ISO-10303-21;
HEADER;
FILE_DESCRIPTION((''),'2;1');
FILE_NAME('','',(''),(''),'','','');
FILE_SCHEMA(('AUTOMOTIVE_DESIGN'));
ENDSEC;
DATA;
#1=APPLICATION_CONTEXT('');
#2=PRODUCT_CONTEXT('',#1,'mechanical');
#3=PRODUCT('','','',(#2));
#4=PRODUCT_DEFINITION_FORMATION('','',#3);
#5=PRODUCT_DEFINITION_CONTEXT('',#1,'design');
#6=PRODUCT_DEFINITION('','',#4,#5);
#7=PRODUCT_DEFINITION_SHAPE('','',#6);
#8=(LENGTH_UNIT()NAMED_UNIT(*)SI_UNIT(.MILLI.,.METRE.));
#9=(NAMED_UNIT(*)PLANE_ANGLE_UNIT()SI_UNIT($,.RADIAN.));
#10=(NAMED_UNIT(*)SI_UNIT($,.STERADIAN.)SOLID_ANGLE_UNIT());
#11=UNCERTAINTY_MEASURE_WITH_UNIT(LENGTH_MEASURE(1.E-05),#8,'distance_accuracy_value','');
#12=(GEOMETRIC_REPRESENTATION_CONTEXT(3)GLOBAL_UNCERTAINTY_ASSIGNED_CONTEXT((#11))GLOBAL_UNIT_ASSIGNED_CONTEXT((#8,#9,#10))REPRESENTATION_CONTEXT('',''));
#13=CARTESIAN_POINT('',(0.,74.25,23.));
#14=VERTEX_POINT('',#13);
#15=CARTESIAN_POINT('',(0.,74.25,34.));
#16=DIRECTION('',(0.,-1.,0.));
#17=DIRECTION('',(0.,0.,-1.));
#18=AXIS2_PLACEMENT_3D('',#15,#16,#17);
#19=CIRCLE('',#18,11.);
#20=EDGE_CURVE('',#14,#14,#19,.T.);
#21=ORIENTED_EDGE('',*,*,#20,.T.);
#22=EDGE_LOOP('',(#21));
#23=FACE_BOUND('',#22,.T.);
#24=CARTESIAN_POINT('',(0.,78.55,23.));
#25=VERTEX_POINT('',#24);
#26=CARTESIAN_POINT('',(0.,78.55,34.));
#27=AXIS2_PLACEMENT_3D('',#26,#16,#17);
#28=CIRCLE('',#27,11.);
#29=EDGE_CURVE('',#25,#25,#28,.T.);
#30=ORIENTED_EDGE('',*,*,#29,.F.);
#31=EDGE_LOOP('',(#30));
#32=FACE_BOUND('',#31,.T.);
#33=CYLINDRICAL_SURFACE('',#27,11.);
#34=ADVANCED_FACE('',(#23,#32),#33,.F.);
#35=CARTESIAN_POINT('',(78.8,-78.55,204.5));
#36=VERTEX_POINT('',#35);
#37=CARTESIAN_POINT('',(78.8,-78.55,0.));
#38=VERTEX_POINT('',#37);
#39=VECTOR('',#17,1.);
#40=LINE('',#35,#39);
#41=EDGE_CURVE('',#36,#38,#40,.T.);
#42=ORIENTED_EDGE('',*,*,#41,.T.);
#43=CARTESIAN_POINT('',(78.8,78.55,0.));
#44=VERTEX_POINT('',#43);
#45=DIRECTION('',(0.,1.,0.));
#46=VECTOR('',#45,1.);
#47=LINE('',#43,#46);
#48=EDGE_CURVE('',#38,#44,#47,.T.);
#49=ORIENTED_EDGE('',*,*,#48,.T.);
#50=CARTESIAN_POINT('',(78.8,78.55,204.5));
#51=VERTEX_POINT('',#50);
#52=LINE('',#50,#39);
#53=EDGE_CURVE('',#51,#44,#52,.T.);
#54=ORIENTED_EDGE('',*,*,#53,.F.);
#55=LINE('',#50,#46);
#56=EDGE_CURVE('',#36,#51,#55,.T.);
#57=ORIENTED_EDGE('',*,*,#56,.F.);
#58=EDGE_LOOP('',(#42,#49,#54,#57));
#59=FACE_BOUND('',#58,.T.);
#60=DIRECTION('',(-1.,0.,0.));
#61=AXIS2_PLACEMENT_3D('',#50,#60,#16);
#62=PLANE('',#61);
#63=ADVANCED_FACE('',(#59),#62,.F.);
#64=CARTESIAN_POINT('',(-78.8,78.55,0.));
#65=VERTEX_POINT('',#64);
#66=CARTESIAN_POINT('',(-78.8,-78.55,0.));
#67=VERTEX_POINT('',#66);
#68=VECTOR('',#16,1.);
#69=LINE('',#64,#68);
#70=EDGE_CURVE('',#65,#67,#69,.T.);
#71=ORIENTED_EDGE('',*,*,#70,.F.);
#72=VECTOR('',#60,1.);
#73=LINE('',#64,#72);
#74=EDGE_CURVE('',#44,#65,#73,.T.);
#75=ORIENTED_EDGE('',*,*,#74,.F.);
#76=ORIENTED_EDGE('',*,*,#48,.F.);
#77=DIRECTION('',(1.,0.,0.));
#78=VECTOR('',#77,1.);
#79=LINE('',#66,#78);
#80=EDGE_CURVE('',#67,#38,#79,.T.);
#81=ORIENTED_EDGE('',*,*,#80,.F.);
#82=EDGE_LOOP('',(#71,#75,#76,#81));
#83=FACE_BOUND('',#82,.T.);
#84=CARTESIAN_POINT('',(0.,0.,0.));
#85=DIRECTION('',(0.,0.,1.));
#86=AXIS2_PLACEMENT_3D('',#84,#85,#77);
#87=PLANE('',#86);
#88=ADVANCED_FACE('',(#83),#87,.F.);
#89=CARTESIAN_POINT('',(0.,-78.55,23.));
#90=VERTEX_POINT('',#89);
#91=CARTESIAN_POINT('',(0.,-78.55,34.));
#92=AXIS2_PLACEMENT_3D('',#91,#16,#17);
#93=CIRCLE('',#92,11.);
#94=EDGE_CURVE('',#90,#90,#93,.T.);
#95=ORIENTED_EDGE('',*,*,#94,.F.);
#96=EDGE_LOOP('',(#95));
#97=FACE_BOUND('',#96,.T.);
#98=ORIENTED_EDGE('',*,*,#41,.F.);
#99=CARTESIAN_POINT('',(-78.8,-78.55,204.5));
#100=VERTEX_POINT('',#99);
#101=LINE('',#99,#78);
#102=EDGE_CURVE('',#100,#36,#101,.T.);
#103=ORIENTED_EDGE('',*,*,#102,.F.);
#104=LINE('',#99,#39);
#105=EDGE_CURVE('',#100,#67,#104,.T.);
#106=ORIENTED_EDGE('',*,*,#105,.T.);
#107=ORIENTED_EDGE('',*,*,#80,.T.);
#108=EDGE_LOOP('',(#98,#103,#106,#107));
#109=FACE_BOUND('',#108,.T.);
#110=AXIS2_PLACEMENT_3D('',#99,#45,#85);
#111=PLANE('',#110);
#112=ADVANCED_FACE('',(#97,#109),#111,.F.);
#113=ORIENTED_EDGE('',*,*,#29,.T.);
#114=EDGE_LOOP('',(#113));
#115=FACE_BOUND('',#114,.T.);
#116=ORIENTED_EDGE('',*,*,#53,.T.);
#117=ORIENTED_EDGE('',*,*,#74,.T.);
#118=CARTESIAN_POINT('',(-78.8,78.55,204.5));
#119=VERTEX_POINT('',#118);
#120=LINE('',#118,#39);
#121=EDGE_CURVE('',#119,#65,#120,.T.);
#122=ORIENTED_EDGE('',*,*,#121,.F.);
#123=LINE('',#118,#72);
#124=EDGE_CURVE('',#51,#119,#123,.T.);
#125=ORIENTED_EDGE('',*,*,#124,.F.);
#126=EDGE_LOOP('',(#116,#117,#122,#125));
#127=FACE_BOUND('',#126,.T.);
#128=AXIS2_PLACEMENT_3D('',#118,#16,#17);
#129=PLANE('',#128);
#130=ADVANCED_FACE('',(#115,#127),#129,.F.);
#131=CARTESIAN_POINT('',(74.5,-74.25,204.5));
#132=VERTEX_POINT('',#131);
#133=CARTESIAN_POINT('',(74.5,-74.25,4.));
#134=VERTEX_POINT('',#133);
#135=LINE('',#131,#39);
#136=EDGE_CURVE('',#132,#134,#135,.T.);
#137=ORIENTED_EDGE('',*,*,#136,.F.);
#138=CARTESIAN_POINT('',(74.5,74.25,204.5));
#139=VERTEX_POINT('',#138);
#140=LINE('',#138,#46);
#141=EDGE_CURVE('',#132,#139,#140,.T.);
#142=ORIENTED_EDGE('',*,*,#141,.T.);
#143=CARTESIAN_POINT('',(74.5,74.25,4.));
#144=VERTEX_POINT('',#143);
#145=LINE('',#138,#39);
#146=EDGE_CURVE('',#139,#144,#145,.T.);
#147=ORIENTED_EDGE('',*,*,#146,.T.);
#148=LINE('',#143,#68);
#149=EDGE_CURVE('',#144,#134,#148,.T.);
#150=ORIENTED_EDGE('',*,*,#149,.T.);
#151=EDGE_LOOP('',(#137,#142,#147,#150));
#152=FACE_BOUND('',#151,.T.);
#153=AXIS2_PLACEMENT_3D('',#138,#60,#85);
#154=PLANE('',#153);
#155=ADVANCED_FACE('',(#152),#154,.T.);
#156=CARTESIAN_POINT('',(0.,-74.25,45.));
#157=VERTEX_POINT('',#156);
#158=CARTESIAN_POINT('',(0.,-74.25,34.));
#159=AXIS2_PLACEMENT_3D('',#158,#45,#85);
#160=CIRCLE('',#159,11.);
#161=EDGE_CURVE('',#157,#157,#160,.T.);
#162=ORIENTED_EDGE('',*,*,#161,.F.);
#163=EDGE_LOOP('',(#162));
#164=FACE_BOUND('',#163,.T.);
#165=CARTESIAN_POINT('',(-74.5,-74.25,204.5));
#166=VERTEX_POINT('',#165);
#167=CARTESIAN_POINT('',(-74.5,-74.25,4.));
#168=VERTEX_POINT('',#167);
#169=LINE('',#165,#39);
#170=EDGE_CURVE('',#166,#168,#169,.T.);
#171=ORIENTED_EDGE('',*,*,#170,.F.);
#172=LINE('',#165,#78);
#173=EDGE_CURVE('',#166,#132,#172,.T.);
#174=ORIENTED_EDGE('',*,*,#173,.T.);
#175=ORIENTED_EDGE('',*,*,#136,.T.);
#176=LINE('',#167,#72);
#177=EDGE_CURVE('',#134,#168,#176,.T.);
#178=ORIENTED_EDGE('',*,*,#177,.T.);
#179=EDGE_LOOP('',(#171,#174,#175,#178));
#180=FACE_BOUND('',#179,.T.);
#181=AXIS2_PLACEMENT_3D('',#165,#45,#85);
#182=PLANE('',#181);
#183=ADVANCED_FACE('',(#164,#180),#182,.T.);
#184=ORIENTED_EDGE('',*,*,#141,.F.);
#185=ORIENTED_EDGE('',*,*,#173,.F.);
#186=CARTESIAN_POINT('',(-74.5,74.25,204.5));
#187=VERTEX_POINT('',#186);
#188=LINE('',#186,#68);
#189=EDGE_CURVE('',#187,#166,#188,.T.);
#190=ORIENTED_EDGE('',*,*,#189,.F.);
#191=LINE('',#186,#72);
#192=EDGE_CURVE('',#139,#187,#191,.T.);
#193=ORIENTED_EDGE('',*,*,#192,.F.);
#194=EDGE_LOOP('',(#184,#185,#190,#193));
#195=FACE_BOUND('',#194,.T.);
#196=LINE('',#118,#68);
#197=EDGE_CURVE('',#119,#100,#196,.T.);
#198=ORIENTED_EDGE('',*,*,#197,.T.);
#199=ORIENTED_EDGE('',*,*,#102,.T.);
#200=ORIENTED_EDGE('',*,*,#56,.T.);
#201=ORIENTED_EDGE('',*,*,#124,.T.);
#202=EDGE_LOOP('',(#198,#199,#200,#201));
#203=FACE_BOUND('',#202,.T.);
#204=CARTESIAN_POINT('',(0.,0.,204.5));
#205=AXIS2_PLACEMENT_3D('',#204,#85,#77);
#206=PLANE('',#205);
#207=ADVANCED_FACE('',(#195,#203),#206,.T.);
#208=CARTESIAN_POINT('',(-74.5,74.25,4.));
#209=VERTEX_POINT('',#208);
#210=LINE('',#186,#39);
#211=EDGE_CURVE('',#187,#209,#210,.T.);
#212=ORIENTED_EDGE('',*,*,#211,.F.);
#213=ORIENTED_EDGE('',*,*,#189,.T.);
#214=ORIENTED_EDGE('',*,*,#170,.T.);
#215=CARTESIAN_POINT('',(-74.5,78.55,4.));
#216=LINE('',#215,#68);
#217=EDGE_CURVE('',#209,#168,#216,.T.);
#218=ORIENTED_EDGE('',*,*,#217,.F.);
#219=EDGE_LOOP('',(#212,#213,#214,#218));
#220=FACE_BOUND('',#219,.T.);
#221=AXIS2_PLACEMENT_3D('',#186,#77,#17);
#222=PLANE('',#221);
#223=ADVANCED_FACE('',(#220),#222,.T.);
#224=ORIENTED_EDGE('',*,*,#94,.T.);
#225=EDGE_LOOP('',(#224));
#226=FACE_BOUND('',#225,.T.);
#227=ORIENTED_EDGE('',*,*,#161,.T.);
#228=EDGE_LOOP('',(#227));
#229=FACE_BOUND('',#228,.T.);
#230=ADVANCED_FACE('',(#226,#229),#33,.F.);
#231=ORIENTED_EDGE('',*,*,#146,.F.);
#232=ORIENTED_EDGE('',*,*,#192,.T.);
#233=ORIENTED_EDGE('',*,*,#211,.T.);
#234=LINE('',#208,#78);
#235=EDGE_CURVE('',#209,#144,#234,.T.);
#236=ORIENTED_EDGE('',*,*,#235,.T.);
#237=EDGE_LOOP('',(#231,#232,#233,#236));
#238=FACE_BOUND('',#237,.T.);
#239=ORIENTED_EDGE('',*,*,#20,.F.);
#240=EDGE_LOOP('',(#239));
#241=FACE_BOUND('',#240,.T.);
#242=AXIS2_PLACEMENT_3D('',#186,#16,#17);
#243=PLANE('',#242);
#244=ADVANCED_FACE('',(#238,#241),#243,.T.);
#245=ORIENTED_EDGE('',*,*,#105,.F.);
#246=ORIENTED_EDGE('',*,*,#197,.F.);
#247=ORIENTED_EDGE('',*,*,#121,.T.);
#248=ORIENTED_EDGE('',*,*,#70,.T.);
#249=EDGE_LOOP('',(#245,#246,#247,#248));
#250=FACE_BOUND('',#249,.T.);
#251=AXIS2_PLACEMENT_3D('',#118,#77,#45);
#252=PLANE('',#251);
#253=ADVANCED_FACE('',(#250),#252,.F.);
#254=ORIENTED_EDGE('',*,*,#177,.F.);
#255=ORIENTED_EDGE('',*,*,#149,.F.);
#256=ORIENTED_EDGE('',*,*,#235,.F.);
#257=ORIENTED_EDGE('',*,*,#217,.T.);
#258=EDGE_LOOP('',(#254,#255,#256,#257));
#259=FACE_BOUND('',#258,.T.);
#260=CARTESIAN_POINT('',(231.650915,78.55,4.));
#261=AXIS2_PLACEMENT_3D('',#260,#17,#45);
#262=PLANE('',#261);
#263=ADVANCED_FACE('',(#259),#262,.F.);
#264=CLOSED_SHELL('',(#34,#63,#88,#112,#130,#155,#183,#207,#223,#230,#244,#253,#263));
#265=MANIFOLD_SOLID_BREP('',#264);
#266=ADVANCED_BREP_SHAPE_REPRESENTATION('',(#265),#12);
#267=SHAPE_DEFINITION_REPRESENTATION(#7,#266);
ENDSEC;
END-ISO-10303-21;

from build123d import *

# Parameters (mm, degrees)
CROQUIS1_W              = 157.6
CROQUIS1_H              = 157.1
CROQUIS1_W_2            = 149
CROQUIS1_H_2            = 148.5
SALIENTE_EXTRUIR1_DEPTH = 204.5
CROQUIS2_W              = 4
CROQUIS2_H              = 157.1
SALIENTE_EXTRUIR2_DEPTH = 149
CROQUIS3_R              = 11
CORTAR_EXTRUIR1_DEPTH   = 270.648104017


with BuildPart() as part:
    # Croquis1 → Saliente-Extruir1 (new body)
    with BuildSketch(Plane.XY):
        Rectangle(CROQUIS1_W, CROQUIS1_H)
        Rectangle(CROQUIS1_W_2, CROQUIS1_H_2, mode=Mode.SUBTRACT)
    extrude(amount=SALIENTE_EXTRUIR1_DEPTH)

    # Croquis2 → Saliente-Extruir2 (add)
    with BuildSketch(Plane(origin=(-74.5, 0, 0), x_dir=(0, 0, -1), z_dir=(1, 0, 0))):
        with Locations((-2, 0)):
            Rectangle(CROQUIS2_W, CROQUIS2_H)
    extrude(amount=SALIENTE_EXTRUIR2_DEPTH)

    # Croquis3 → Cortar-Extruir1 (cut, through all)
    with BuildSketch(Plane.XZ.offset(78.55)):
        with Locations(Location((0, 34, 0), (0, 0, 270))):
            Circle(CROQUIS3_R)
    extrude(amount=-CORTAR_EXTRUIR1_DEPTH, mode=Mode.SUBTRACT)


solid = part.part
